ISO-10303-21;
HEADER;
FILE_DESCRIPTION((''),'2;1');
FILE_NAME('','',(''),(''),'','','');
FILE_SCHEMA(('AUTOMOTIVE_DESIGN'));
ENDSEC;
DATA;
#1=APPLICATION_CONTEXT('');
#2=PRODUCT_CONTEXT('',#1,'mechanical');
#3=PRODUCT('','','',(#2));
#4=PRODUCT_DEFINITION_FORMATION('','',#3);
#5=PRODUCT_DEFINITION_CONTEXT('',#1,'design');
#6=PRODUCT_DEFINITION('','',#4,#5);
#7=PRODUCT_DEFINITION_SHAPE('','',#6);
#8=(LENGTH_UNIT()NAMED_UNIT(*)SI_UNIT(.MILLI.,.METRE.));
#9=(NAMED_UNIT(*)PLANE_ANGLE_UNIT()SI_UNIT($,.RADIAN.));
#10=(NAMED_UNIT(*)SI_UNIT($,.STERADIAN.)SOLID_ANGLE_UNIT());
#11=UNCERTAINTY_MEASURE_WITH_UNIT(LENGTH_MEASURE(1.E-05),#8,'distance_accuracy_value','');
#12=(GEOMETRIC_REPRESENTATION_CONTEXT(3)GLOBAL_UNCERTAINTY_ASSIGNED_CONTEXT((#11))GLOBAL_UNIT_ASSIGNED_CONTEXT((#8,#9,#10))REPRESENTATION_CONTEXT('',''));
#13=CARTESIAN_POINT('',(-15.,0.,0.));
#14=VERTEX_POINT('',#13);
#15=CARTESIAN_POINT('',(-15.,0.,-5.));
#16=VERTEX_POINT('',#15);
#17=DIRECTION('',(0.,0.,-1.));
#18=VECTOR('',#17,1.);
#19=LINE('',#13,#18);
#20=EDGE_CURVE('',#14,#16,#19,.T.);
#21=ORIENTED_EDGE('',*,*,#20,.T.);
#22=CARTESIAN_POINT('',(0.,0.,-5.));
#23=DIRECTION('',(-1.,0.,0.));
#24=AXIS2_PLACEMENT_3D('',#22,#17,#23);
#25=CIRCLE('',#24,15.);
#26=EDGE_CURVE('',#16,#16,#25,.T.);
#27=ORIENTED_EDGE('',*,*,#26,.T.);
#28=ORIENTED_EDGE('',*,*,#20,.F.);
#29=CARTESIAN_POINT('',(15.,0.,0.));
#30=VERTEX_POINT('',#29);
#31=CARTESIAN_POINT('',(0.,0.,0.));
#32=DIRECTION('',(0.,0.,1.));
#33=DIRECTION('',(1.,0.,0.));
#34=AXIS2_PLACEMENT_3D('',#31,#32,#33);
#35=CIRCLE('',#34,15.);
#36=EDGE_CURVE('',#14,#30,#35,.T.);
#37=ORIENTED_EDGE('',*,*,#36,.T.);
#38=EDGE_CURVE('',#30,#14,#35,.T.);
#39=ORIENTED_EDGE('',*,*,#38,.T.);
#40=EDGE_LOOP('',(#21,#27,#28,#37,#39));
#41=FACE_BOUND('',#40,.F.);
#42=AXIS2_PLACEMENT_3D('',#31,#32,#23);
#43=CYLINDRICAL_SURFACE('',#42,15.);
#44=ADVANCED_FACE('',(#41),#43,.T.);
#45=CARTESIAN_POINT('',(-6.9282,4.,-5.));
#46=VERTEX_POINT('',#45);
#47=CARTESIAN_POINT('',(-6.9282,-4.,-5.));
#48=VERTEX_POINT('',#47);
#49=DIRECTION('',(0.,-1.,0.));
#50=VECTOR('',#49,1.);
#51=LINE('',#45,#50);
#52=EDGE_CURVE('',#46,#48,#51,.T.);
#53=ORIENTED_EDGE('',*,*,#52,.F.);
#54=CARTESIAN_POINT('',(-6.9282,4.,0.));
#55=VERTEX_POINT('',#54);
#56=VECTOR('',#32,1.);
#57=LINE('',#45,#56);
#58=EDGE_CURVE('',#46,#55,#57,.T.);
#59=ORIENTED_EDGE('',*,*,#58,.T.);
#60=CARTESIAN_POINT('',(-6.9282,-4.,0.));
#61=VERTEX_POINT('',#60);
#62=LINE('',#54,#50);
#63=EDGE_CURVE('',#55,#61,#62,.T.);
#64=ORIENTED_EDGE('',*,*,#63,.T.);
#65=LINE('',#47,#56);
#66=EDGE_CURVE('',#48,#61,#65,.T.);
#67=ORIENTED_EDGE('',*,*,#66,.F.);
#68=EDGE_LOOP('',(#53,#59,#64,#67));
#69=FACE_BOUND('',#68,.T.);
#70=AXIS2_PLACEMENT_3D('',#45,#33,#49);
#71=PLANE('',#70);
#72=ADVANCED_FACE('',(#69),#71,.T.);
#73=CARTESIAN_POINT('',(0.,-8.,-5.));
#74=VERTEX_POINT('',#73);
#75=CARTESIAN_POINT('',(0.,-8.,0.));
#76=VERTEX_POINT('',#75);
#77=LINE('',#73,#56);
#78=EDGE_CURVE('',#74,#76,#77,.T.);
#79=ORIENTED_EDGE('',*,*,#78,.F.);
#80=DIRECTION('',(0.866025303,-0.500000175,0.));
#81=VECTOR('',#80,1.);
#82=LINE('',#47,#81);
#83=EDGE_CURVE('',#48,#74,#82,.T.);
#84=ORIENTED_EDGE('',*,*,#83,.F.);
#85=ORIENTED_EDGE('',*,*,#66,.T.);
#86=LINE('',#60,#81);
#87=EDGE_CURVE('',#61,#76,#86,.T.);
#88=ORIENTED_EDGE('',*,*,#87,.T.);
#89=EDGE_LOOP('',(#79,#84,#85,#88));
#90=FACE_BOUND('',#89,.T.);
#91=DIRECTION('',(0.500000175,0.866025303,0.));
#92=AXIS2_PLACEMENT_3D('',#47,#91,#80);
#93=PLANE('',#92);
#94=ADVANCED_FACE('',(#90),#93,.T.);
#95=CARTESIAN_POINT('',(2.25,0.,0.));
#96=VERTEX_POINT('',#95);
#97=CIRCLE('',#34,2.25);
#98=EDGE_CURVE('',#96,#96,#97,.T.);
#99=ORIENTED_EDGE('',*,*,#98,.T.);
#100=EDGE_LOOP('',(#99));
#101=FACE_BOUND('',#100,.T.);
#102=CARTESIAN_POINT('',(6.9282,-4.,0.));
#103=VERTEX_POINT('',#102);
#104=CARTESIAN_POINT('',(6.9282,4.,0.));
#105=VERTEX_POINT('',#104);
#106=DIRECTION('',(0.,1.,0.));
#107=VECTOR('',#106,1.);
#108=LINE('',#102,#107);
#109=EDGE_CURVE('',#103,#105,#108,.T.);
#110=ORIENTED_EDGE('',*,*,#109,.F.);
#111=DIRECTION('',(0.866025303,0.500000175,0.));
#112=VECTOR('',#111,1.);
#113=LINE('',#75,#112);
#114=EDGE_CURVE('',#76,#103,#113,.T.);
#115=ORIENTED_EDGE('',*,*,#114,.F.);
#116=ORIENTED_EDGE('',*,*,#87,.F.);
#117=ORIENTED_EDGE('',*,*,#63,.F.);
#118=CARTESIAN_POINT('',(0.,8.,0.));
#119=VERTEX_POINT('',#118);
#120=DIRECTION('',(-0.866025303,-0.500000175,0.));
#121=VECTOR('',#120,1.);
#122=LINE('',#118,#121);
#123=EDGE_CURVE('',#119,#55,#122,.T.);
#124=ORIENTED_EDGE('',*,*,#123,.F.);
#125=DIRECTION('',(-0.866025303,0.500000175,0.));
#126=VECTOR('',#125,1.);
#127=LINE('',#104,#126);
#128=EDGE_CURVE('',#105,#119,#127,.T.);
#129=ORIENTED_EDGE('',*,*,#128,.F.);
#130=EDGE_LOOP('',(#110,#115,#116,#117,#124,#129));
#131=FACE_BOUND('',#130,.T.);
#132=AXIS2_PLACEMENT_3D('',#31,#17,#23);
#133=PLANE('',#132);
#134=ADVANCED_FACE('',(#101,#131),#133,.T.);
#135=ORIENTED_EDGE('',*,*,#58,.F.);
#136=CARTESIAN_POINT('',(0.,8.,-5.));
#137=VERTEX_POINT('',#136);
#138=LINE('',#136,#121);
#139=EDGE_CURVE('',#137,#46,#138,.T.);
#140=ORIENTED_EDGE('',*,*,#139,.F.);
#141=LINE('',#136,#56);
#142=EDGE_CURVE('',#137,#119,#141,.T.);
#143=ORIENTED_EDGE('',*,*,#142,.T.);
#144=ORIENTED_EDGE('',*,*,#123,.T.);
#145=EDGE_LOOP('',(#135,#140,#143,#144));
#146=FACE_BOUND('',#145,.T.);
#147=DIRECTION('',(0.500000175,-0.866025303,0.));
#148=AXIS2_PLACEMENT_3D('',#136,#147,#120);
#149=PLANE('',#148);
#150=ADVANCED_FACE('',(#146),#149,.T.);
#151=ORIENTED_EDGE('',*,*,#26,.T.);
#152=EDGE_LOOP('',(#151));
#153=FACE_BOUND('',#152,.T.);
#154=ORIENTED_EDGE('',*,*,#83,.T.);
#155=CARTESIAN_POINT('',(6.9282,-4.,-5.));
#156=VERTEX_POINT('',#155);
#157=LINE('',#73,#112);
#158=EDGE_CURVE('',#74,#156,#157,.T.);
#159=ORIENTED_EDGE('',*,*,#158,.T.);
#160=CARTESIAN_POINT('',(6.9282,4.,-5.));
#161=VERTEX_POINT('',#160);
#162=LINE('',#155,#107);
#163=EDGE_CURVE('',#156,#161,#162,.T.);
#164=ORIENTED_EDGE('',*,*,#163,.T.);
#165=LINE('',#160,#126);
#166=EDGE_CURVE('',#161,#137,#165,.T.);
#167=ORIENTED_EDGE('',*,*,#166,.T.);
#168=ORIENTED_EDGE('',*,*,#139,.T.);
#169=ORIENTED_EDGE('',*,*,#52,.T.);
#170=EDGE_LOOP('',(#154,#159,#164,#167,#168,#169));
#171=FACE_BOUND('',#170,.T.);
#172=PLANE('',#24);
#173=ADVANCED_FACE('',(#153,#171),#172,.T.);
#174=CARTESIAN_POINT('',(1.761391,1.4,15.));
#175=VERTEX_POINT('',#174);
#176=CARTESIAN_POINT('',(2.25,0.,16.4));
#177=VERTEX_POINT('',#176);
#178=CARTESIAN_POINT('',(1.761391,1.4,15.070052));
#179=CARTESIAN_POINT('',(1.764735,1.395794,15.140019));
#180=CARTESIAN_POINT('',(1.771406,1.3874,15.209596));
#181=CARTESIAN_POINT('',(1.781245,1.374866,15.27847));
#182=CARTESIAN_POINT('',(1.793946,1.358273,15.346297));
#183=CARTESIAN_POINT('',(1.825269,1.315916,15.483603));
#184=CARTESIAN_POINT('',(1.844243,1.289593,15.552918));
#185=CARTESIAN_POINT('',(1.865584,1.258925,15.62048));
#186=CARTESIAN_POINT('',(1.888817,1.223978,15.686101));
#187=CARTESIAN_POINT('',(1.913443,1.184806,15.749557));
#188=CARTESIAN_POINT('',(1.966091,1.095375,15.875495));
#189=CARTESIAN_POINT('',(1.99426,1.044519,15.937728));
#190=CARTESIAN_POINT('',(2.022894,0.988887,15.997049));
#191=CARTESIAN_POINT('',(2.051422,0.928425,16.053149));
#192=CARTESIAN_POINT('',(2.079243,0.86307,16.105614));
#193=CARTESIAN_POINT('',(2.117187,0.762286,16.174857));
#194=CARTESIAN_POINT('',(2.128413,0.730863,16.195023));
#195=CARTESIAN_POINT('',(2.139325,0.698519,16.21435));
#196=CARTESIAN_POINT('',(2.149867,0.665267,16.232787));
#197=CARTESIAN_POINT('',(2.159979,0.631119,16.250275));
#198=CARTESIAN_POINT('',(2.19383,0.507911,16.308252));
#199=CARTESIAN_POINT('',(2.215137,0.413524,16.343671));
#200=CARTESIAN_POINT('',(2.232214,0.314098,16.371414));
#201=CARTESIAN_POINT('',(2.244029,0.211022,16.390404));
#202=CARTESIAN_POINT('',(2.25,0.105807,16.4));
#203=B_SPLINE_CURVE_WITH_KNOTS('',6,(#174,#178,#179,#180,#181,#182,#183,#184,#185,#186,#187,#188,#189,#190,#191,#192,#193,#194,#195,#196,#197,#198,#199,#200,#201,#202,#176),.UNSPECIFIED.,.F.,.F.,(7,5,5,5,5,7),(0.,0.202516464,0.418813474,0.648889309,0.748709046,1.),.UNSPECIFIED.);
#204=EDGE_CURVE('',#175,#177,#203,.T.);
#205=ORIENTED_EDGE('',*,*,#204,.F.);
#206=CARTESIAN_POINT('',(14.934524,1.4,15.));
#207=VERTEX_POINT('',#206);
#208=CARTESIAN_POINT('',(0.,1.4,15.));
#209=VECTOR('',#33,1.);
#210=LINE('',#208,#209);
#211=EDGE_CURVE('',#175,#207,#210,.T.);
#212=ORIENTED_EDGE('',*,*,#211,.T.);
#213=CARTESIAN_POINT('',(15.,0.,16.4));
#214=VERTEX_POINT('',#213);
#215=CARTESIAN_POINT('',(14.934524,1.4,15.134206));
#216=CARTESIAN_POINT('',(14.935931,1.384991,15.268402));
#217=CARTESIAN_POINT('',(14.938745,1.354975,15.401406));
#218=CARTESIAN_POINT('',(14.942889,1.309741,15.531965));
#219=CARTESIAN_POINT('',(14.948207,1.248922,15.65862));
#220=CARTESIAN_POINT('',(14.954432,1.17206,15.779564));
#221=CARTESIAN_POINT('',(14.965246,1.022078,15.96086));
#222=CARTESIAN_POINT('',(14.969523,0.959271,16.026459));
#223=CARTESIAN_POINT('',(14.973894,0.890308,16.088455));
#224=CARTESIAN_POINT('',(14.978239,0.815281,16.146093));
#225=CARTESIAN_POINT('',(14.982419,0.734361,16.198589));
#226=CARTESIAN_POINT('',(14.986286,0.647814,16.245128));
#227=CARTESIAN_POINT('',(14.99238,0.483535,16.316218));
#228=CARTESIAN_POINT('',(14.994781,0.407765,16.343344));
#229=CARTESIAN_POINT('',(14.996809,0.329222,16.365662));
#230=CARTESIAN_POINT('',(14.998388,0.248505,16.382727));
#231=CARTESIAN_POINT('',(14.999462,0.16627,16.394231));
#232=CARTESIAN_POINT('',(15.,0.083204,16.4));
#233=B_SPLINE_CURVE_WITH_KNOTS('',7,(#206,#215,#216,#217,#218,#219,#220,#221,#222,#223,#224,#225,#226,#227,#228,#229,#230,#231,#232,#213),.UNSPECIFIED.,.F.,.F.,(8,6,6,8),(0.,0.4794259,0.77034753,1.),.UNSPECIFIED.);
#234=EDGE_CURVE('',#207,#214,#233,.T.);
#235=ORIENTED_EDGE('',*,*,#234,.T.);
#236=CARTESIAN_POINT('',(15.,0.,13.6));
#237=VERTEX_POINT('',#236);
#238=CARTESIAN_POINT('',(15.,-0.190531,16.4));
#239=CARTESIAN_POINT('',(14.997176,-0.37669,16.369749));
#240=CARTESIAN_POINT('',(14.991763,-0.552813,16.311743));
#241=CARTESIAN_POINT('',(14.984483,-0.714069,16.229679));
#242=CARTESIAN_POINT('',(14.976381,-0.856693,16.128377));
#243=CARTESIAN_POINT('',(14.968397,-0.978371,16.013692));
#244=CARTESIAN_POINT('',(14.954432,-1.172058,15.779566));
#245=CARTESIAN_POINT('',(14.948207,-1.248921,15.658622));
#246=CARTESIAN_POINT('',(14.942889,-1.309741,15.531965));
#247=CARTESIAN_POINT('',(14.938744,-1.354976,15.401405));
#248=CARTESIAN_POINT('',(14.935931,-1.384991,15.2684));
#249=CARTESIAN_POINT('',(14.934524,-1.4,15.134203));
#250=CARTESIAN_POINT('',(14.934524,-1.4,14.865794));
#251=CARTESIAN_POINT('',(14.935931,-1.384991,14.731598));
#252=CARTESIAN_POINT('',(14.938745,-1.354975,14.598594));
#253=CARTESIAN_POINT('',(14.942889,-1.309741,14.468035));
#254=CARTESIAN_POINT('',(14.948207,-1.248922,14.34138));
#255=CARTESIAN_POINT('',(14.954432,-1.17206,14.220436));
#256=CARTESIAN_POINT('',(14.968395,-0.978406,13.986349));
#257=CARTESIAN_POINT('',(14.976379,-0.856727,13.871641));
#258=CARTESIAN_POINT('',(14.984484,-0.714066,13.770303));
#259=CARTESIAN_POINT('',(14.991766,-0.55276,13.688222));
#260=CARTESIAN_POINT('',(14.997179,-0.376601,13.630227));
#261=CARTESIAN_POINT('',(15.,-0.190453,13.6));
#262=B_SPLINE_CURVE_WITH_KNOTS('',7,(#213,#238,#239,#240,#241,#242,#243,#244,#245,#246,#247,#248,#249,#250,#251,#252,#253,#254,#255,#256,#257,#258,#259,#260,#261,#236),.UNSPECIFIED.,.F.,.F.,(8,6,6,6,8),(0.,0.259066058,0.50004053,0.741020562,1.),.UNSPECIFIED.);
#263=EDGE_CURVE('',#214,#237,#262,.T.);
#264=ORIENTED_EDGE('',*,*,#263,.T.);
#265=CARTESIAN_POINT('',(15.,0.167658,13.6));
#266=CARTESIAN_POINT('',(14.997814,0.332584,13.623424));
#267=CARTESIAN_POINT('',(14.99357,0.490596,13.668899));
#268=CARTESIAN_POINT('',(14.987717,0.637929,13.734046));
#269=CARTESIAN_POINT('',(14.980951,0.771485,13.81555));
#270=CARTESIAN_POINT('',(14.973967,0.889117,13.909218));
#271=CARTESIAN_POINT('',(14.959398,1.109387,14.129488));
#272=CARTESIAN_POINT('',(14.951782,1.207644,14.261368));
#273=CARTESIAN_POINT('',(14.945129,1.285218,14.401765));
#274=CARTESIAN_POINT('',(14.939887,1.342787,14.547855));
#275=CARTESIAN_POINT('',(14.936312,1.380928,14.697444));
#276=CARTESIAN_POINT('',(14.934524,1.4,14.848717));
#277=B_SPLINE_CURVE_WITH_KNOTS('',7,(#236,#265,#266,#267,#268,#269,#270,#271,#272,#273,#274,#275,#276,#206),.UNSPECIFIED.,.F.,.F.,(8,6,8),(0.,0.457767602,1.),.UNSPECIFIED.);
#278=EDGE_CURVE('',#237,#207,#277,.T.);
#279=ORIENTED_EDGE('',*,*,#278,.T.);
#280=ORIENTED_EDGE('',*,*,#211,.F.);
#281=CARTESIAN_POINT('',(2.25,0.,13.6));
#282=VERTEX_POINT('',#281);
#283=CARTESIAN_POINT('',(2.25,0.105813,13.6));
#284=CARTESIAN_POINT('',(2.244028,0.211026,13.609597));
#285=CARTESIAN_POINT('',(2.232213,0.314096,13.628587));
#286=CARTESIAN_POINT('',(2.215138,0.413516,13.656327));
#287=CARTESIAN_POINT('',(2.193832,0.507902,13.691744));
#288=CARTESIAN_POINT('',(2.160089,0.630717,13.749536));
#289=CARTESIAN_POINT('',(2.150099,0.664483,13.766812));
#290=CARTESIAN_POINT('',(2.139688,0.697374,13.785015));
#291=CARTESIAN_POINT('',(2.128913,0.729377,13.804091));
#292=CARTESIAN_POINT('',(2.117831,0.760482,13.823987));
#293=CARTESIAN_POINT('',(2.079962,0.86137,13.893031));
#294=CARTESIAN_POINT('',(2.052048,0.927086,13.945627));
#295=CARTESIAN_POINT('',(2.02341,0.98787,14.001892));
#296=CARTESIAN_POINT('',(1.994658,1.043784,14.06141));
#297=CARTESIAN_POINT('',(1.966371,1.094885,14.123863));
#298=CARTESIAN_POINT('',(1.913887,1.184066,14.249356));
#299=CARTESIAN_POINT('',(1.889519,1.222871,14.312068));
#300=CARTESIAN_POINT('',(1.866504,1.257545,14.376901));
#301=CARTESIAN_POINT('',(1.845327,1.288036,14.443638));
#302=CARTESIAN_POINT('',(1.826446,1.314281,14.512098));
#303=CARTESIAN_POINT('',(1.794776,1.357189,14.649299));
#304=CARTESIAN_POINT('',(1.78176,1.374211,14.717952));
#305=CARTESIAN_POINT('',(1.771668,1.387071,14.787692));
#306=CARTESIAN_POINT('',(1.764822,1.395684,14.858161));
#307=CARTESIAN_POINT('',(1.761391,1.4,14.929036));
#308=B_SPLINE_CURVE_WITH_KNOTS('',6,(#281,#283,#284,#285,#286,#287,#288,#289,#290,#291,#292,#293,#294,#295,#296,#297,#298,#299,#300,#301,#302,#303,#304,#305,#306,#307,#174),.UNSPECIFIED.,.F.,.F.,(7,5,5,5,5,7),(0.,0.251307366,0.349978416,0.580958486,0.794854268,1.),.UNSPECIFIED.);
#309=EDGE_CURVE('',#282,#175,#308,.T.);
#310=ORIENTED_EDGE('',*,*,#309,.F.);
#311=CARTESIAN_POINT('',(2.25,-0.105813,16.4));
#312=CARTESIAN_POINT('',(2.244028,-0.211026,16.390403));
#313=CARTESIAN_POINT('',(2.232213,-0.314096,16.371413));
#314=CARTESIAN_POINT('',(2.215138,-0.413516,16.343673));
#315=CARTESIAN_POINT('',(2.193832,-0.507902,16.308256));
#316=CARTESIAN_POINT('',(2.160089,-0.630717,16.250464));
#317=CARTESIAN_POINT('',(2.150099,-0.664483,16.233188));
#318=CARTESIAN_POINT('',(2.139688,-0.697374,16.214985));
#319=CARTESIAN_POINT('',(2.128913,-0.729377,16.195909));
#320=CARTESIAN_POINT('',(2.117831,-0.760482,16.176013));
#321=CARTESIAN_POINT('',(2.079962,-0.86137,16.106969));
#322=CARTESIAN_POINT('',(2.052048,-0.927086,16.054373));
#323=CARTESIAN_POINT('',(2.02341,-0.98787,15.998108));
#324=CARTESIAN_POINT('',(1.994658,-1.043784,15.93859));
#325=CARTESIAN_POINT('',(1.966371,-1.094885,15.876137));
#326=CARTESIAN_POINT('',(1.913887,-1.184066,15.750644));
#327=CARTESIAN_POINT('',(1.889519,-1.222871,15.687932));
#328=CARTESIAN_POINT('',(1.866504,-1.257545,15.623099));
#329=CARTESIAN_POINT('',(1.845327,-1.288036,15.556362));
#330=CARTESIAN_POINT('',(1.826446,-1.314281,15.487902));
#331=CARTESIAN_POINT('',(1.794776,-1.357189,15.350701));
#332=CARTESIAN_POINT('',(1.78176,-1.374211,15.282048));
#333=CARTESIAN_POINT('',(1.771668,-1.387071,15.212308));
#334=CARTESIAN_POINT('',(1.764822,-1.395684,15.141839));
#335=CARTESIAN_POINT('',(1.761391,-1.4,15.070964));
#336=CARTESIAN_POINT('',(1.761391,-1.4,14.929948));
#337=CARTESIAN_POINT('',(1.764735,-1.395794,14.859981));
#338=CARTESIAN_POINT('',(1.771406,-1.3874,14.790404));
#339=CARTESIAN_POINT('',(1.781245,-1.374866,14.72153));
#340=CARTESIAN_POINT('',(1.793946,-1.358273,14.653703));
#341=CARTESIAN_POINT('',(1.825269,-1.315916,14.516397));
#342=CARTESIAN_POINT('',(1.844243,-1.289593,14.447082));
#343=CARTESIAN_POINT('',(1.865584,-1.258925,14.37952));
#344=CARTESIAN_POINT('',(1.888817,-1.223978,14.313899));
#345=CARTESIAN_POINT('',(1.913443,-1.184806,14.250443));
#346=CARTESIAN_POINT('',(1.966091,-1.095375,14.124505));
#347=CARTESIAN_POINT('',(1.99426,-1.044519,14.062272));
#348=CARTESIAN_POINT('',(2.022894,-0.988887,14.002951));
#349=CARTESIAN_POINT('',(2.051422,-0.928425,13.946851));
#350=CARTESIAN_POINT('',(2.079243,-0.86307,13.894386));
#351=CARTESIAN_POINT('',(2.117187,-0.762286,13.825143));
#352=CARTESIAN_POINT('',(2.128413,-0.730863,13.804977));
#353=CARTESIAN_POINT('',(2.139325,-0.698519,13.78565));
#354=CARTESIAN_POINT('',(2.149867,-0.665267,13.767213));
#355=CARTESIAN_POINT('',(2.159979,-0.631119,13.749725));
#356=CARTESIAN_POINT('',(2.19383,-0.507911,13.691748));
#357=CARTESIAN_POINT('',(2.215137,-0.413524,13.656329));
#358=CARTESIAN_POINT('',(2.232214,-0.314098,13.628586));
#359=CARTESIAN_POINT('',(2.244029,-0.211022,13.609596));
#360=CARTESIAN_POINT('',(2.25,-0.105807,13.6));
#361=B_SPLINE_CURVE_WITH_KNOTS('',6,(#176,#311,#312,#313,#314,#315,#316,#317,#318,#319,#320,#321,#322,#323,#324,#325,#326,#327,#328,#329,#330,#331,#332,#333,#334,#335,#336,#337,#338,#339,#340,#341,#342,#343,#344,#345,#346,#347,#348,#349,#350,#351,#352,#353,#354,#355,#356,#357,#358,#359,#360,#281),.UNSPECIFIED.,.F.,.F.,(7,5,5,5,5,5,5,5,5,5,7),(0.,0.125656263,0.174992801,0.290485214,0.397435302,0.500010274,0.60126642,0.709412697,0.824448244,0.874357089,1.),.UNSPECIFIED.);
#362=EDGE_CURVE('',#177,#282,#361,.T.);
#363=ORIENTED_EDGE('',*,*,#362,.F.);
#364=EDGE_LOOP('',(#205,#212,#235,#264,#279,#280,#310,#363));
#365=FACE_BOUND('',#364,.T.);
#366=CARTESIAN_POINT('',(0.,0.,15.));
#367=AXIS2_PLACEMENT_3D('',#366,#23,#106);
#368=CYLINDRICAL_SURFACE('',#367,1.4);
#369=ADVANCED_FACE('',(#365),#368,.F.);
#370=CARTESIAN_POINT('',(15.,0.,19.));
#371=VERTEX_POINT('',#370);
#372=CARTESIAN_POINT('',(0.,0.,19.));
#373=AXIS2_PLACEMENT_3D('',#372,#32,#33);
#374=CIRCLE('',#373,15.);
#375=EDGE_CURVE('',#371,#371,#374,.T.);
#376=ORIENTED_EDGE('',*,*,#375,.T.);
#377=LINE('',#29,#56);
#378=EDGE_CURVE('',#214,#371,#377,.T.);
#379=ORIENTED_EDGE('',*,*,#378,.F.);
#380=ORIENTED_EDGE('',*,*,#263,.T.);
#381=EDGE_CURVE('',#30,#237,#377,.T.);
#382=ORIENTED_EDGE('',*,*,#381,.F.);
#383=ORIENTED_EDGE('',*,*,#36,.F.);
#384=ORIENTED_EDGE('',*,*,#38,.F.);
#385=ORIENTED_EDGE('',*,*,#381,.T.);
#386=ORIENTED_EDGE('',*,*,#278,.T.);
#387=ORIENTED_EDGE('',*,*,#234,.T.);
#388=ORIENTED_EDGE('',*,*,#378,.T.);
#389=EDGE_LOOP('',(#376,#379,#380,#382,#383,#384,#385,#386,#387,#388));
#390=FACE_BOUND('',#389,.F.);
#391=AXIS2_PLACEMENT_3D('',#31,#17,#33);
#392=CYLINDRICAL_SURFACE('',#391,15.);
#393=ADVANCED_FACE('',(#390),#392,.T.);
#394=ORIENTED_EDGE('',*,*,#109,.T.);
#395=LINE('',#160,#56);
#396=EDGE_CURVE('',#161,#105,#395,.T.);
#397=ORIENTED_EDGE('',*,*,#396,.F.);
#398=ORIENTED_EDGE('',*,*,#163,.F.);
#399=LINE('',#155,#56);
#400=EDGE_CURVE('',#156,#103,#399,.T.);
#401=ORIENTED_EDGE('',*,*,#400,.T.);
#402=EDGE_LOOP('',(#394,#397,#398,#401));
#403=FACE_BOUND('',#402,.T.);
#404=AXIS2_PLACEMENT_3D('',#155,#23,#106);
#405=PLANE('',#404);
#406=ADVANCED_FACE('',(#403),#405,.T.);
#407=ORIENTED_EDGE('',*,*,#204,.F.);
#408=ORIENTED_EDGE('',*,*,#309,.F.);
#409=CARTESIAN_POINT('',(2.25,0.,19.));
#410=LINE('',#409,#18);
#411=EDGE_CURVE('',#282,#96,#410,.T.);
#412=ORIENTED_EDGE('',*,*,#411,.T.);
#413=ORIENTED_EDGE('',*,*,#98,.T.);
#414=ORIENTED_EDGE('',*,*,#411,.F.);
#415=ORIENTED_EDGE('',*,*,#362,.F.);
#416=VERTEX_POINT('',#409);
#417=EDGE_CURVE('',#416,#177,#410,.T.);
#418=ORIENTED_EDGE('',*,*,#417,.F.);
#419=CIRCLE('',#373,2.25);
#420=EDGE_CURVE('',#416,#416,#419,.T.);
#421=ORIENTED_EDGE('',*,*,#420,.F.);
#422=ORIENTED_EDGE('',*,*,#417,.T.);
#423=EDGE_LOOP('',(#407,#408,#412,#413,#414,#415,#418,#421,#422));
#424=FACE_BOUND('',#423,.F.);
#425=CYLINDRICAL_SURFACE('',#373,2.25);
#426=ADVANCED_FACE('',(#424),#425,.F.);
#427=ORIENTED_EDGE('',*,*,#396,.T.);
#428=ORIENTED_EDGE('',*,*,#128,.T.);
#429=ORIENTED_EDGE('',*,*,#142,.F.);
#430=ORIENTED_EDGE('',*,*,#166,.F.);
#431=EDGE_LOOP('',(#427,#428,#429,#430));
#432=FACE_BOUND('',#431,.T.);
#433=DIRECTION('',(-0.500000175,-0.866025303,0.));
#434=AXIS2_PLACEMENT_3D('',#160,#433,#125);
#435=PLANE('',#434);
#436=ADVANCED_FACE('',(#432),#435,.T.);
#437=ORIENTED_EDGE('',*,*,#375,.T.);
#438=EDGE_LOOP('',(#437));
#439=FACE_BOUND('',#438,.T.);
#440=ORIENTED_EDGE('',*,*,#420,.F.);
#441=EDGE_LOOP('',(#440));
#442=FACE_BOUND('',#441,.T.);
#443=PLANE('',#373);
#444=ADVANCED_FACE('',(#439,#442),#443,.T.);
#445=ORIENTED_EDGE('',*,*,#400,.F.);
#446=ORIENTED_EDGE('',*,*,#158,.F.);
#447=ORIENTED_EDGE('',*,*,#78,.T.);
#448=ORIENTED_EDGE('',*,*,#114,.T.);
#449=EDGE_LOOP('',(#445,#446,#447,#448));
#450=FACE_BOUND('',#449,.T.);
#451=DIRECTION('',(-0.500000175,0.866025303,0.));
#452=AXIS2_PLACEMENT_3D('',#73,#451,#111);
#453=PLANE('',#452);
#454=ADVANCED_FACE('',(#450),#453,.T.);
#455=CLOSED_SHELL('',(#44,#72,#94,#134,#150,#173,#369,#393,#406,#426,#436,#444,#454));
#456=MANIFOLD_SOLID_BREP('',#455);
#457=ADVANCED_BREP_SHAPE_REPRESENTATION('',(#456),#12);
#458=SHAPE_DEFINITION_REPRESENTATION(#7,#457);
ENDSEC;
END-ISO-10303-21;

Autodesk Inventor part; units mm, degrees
ref_plane "YZ Plane" through (0, 0, 0) normal (1, 0, 0) x (0, 1, 0)
ref_plane "XZ Plane" through (0, 0, 0) normal (0, 1, 0) x (-1, 0, 0)
ref_plane "XY Plane" through (0, 0, 0) normal (0, 0, 1) x (1, 0, 0)
sketch "Sketch1" plane through (0, 0, 0) normal (0, 0, 1) x (1, 0, 0)
  circle A0 centre (0, 0) radius 15
  dimension "d0" = 30
extrude "Extrusion1" add sketch "Sketch1" along normal blind 19
sketch "Sketch2" plane through (0, 0, 19) normal (0, 0, 1) x (1, 0, 0)
  circle A0 centre (0, 0) radius 2.25
  dimension "d3" = 4.5
extrude "Extrusion2" cut sketch "Sketch2" against normal blind 19
sketch "Sketch3" plane through (0, 0, 0) normal (0, 0, -1) x (-1, 0, 0)
  circle A0 centre (0, 0) radius 15 projected
extrude "Extrusion3" add sketch "Sketch3" along normal blind 5
sketch "Sketch6" plane through (0, 0, -5) normal (0, 0, -1) x (-1, 0, 0)
  line L0 (0, -8) -> (-6.9282, -4)
  line L1 (-6.9282, -4) -> (-6.9282, 4)
  line L2 (-6.9282, 4) -> (0, 8)
  line L3 (0, 8) -> (6.9282, 4)
  line L4 (6.9282, 4) -> (6.9282, -4)
  line L5 (6.9282, -4) -> (0, -8)
  point P0 (0, 0)
  point P1 (0, 0)
  dimension "d15" = 16
extrude "Extrusion6" cut sketch "Sketch6" against normal blind 5
sketch "Sketch7" plane through (0, 0, 0) normal (1, 0, 0) x (0, 1, 0)
  circle A0 centre (0, 15) radius 1.4
  line L0 (15, 19) -> (-15, 19) projected
  point P0 (0, 0)
  dimension "d18" = 2.8
  dimension "d22" = 4
extrude "Extrusion7" cut sketch "Sketch7" along normal through all
properties part number "AA009" material "ABS Plastic"
